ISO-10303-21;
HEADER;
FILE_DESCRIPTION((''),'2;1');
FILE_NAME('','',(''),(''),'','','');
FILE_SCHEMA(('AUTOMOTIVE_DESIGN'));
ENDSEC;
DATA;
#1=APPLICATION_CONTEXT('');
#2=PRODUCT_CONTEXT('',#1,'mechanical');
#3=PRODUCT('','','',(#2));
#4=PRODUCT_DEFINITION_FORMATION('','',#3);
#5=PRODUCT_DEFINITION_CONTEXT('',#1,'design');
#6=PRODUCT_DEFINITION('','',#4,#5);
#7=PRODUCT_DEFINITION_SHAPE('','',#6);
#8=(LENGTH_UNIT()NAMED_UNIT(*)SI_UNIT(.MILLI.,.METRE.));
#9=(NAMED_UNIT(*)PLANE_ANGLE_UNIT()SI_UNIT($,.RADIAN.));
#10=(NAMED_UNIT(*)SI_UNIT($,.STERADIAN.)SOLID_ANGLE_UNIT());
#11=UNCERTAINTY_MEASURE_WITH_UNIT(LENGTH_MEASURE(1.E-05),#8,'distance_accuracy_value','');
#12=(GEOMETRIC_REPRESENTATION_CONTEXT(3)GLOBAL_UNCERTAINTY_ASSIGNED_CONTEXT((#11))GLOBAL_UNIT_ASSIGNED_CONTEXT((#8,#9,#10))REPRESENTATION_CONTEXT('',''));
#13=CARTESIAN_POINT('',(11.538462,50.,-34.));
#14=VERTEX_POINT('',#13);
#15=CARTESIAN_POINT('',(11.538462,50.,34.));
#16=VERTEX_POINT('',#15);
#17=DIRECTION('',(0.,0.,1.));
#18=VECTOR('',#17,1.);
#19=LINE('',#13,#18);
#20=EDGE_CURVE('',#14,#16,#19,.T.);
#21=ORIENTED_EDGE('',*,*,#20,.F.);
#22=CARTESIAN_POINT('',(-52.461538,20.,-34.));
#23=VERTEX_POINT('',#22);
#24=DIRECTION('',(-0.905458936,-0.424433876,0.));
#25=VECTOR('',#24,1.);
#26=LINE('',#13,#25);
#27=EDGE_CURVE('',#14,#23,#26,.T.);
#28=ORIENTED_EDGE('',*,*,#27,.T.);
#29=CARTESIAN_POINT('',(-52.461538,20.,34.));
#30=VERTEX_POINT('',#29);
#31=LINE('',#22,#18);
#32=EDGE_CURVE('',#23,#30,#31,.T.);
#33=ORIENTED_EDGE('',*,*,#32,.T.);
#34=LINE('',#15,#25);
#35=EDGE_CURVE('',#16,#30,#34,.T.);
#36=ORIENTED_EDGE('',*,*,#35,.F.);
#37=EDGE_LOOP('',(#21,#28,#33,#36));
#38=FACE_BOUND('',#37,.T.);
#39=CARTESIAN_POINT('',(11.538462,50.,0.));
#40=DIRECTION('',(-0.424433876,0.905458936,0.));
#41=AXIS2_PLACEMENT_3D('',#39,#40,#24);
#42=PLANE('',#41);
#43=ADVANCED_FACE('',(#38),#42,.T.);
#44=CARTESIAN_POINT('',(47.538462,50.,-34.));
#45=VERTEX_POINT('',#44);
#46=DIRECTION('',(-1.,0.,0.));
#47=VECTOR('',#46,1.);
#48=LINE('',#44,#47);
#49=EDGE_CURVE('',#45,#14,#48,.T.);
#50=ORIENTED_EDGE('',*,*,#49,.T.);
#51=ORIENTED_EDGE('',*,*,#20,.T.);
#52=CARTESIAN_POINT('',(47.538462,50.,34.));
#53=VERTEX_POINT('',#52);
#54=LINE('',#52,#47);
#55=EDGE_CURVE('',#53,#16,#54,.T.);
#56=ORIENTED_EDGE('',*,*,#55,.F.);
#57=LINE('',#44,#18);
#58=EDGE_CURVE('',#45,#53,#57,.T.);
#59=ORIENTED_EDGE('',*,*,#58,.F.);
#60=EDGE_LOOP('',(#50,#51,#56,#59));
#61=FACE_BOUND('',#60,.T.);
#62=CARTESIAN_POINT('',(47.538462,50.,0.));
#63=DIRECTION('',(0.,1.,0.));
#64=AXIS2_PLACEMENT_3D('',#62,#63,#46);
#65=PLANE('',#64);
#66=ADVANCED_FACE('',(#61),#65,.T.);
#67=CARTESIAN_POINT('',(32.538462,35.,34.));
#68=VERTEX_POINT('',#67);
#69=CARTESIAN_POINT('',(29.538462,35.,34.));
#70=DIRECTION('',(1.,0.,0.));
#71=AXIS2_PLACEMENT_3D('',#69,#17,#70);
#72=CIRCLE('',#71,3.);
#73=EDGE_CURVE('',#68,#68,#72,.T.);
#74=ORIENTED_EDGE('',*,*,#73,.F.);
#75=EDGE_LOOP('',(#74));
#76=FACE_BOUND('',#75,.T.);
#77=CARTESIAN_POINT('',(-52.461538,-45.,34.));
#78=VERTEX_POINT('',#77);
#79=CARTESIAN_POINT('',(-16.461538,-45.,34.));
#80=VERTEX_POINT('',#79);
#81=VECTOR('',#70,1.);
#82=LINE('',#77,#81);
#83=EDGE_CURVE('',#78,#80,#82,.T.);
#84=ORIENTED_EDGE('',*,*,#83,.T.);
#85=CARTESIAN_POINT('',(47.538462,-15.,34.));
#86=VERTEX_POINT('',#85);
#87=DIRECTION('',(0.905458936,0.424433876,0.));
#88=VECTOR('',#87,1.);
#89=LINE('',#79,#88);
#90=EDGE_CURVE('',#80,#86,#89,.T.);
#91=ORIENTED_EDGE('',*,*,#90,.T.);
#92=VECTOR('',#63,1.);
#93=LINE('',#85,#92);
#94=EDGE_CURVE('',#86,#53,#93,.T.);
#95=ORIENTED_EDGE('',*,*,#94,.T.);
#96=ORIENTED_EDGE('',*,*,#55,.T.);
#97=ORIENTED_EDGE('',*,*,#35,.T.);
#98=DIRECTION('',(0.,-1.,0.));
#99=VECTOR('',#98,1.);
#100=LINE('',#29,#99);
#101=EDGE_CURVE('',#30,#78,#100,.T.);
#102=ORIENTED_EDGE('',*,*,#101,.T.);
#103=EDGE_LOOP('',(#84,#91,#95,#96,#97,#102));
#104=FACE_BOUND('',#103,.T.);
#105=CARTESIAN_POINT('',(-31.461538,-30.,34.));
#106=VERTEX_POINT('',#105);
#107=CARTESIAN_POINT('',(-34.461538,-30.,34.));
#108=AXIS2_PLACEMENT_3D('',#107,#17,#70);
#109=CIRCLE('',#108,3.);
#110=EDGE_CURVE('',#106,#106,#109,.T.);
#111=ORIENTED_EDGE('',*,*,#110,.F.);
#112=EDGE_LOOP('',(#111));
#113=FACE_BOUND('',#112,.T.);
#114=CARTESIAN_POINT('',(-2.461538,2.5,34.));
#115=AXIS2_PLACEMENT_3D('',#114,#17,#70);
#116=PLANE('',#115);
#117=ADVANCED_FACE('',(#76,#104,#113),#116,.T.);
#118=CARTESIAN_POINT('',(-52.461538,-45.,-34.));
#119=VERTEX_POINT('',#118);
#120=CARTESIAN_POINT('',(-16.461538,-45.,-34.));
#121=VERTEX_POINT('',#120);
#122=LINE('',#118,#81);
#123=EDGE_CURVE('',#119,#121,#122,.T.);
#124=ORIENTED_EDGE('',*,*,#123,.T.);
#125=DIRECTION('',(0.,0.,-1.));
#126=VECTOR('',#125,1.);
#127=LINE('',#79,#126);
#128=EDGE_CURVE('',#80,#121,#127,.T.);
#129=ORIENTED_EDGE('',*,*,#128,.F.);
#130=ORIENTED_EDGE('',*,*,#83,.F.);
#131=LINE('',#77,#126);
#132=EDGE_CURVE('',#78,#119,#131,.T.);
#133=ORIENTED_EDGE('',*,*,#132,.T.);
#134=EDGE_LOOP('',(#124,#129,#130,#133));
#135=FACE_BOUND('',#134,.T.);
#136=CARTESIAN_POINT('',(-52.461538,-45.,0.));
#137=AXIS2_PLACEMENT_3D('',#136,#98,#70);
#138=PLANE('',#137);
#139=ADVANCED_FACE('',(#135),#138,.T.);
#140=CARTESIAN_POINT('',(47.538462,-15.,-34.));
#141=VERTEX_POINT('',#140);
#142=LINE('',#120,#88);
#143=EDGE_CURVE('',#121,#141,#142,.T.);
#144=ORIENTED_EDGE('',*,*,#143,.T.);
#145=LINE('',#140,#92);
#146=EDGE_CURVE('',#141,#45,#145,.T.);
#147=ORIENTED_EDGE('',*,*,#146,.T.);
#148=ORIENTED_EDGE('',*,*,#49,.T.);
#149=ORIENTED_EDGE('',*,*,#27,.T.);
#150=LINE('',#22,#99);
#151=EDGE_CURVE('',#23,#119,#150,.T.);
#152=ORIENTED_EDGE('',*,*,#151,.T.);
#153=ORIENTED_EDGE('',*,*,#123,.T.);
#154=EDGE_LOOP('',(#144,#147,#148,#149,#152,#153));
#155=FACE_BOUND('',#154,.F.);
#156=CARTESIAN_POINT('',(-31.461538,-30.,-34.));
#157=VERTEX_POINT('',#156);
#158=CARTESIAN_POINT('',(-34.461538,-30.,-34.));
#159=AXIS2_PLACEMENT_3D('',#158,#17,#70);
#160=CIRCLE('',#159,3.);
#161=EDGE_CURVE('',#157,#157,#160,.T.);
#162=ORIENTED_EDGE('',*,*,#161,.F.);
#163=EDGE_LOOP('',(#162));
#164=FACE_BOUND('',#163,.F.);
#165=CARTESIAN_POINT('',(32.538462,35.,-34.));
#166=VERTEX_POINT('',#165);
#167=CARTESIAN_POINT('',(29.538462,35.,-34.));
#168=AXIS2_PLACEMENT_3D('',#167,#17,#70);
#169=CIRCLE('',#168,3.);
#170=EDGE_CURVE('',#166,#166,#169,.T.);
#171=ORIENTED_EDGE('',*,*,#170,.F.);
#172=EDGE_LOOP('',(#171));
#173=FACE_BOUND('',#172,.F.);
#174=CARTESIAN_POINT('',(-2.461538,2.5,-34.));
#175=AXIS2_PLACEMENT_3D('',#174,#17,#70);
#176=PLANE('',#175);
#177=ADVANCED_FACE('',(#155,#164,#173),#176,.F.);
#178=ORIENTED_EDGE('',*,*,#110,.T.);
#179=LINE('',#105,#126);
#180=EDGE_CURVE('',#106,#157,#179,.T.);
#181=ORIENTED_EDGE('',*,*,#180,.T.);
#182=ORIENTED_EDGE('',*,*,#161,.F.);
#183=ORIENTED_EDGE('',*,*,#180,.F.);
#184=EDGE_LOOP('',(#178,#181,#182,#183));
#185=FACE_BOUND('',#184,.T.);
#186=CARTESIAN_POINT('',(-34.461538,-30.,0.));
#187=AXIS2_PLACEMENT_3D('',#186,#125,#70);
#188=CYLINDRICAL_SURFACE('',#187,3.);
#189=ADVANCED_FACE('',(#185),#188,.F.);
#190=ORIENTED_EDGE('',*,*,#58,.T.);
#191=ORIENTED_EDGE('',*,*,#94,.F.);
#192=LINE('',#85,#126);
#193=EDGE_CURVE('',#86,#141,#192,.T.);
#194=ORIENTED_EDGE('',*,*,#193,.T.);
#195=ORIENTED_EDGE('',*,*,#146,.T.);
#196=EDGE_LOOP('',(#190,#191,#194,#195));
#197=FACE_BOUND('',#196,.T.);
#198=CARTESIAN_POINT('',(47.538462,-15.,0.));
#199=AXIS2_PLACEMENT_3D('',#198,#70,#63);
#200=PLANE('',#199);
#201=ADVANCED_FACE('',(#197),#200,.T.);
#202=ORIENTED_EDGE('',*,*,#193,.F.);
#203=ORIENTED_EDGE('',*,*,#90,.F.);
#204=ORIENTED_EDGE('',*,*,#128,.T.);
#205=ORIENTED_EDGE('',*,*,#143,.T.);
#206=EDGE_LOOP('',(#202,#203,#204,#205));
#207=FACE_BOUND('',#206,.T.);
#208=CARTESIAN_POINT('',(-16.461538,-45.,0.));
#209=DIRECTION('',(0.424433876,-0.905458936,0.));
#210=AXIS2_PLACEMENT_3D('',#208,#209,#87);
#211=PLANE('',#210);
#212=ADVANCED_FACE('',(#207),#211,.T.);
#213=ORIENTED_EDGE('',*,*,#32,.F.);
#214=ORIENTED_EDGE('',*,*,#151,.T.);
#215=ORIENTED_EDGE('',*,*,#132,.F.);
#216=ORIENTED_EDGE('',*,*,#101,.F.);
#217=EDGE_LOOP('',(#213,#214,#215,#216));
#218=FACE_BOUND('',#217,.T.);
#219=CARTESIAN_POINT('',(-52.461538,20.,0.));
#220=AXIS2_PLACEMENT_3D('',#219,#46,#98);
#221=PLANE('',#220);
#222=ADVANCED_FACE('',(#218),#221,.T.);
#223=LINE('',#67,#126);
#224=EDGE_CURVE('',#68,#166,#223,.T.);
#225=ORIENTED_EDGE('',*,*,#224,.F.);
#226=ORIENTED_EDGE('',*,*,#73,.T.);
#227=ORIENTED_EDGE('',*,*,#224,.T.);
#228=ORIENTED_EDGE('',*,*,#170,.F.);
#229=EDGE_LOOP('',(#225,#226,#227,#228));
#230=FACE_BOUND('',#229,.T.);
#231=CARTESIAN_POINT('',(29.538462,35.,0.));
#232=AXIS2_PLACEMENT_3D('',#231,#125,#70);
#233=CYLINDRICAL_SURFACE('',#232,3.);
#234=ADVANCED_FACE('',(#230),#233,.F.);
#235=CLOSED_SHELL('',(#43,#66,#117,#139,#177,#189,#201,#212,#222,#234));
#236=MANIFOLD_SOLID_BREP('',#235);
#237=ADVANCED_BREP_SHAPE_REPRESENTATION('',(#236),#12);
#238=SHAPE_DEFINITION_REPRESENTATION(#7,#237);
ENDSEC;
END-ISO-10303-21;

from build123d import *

# Parameters (mm, degrees)
F0_R     = 3
F1_DEPTH = 34


with BuildPart() as f1:
    # F0 (on Top) → F1 (new body, symmetric)
    with BuildSketch(Plane.XY):
        Polygon((47.538462, -15), (47.538462, 50), (11.538462, 50), (-52.461538, 20), (-52.461538, -45), (-16.461538, -45), align=None)
        with Locations((-34.461538, -30)):
            Circle(F0_R, mode=Mode.SUBTRACT)
        with Locations((29.538462, 35)):
            Circle(F0_R, mode=Mode.SUBTRACT)
    extrude(amount=F1_DEPTH, both=True)


solid = f1.part
